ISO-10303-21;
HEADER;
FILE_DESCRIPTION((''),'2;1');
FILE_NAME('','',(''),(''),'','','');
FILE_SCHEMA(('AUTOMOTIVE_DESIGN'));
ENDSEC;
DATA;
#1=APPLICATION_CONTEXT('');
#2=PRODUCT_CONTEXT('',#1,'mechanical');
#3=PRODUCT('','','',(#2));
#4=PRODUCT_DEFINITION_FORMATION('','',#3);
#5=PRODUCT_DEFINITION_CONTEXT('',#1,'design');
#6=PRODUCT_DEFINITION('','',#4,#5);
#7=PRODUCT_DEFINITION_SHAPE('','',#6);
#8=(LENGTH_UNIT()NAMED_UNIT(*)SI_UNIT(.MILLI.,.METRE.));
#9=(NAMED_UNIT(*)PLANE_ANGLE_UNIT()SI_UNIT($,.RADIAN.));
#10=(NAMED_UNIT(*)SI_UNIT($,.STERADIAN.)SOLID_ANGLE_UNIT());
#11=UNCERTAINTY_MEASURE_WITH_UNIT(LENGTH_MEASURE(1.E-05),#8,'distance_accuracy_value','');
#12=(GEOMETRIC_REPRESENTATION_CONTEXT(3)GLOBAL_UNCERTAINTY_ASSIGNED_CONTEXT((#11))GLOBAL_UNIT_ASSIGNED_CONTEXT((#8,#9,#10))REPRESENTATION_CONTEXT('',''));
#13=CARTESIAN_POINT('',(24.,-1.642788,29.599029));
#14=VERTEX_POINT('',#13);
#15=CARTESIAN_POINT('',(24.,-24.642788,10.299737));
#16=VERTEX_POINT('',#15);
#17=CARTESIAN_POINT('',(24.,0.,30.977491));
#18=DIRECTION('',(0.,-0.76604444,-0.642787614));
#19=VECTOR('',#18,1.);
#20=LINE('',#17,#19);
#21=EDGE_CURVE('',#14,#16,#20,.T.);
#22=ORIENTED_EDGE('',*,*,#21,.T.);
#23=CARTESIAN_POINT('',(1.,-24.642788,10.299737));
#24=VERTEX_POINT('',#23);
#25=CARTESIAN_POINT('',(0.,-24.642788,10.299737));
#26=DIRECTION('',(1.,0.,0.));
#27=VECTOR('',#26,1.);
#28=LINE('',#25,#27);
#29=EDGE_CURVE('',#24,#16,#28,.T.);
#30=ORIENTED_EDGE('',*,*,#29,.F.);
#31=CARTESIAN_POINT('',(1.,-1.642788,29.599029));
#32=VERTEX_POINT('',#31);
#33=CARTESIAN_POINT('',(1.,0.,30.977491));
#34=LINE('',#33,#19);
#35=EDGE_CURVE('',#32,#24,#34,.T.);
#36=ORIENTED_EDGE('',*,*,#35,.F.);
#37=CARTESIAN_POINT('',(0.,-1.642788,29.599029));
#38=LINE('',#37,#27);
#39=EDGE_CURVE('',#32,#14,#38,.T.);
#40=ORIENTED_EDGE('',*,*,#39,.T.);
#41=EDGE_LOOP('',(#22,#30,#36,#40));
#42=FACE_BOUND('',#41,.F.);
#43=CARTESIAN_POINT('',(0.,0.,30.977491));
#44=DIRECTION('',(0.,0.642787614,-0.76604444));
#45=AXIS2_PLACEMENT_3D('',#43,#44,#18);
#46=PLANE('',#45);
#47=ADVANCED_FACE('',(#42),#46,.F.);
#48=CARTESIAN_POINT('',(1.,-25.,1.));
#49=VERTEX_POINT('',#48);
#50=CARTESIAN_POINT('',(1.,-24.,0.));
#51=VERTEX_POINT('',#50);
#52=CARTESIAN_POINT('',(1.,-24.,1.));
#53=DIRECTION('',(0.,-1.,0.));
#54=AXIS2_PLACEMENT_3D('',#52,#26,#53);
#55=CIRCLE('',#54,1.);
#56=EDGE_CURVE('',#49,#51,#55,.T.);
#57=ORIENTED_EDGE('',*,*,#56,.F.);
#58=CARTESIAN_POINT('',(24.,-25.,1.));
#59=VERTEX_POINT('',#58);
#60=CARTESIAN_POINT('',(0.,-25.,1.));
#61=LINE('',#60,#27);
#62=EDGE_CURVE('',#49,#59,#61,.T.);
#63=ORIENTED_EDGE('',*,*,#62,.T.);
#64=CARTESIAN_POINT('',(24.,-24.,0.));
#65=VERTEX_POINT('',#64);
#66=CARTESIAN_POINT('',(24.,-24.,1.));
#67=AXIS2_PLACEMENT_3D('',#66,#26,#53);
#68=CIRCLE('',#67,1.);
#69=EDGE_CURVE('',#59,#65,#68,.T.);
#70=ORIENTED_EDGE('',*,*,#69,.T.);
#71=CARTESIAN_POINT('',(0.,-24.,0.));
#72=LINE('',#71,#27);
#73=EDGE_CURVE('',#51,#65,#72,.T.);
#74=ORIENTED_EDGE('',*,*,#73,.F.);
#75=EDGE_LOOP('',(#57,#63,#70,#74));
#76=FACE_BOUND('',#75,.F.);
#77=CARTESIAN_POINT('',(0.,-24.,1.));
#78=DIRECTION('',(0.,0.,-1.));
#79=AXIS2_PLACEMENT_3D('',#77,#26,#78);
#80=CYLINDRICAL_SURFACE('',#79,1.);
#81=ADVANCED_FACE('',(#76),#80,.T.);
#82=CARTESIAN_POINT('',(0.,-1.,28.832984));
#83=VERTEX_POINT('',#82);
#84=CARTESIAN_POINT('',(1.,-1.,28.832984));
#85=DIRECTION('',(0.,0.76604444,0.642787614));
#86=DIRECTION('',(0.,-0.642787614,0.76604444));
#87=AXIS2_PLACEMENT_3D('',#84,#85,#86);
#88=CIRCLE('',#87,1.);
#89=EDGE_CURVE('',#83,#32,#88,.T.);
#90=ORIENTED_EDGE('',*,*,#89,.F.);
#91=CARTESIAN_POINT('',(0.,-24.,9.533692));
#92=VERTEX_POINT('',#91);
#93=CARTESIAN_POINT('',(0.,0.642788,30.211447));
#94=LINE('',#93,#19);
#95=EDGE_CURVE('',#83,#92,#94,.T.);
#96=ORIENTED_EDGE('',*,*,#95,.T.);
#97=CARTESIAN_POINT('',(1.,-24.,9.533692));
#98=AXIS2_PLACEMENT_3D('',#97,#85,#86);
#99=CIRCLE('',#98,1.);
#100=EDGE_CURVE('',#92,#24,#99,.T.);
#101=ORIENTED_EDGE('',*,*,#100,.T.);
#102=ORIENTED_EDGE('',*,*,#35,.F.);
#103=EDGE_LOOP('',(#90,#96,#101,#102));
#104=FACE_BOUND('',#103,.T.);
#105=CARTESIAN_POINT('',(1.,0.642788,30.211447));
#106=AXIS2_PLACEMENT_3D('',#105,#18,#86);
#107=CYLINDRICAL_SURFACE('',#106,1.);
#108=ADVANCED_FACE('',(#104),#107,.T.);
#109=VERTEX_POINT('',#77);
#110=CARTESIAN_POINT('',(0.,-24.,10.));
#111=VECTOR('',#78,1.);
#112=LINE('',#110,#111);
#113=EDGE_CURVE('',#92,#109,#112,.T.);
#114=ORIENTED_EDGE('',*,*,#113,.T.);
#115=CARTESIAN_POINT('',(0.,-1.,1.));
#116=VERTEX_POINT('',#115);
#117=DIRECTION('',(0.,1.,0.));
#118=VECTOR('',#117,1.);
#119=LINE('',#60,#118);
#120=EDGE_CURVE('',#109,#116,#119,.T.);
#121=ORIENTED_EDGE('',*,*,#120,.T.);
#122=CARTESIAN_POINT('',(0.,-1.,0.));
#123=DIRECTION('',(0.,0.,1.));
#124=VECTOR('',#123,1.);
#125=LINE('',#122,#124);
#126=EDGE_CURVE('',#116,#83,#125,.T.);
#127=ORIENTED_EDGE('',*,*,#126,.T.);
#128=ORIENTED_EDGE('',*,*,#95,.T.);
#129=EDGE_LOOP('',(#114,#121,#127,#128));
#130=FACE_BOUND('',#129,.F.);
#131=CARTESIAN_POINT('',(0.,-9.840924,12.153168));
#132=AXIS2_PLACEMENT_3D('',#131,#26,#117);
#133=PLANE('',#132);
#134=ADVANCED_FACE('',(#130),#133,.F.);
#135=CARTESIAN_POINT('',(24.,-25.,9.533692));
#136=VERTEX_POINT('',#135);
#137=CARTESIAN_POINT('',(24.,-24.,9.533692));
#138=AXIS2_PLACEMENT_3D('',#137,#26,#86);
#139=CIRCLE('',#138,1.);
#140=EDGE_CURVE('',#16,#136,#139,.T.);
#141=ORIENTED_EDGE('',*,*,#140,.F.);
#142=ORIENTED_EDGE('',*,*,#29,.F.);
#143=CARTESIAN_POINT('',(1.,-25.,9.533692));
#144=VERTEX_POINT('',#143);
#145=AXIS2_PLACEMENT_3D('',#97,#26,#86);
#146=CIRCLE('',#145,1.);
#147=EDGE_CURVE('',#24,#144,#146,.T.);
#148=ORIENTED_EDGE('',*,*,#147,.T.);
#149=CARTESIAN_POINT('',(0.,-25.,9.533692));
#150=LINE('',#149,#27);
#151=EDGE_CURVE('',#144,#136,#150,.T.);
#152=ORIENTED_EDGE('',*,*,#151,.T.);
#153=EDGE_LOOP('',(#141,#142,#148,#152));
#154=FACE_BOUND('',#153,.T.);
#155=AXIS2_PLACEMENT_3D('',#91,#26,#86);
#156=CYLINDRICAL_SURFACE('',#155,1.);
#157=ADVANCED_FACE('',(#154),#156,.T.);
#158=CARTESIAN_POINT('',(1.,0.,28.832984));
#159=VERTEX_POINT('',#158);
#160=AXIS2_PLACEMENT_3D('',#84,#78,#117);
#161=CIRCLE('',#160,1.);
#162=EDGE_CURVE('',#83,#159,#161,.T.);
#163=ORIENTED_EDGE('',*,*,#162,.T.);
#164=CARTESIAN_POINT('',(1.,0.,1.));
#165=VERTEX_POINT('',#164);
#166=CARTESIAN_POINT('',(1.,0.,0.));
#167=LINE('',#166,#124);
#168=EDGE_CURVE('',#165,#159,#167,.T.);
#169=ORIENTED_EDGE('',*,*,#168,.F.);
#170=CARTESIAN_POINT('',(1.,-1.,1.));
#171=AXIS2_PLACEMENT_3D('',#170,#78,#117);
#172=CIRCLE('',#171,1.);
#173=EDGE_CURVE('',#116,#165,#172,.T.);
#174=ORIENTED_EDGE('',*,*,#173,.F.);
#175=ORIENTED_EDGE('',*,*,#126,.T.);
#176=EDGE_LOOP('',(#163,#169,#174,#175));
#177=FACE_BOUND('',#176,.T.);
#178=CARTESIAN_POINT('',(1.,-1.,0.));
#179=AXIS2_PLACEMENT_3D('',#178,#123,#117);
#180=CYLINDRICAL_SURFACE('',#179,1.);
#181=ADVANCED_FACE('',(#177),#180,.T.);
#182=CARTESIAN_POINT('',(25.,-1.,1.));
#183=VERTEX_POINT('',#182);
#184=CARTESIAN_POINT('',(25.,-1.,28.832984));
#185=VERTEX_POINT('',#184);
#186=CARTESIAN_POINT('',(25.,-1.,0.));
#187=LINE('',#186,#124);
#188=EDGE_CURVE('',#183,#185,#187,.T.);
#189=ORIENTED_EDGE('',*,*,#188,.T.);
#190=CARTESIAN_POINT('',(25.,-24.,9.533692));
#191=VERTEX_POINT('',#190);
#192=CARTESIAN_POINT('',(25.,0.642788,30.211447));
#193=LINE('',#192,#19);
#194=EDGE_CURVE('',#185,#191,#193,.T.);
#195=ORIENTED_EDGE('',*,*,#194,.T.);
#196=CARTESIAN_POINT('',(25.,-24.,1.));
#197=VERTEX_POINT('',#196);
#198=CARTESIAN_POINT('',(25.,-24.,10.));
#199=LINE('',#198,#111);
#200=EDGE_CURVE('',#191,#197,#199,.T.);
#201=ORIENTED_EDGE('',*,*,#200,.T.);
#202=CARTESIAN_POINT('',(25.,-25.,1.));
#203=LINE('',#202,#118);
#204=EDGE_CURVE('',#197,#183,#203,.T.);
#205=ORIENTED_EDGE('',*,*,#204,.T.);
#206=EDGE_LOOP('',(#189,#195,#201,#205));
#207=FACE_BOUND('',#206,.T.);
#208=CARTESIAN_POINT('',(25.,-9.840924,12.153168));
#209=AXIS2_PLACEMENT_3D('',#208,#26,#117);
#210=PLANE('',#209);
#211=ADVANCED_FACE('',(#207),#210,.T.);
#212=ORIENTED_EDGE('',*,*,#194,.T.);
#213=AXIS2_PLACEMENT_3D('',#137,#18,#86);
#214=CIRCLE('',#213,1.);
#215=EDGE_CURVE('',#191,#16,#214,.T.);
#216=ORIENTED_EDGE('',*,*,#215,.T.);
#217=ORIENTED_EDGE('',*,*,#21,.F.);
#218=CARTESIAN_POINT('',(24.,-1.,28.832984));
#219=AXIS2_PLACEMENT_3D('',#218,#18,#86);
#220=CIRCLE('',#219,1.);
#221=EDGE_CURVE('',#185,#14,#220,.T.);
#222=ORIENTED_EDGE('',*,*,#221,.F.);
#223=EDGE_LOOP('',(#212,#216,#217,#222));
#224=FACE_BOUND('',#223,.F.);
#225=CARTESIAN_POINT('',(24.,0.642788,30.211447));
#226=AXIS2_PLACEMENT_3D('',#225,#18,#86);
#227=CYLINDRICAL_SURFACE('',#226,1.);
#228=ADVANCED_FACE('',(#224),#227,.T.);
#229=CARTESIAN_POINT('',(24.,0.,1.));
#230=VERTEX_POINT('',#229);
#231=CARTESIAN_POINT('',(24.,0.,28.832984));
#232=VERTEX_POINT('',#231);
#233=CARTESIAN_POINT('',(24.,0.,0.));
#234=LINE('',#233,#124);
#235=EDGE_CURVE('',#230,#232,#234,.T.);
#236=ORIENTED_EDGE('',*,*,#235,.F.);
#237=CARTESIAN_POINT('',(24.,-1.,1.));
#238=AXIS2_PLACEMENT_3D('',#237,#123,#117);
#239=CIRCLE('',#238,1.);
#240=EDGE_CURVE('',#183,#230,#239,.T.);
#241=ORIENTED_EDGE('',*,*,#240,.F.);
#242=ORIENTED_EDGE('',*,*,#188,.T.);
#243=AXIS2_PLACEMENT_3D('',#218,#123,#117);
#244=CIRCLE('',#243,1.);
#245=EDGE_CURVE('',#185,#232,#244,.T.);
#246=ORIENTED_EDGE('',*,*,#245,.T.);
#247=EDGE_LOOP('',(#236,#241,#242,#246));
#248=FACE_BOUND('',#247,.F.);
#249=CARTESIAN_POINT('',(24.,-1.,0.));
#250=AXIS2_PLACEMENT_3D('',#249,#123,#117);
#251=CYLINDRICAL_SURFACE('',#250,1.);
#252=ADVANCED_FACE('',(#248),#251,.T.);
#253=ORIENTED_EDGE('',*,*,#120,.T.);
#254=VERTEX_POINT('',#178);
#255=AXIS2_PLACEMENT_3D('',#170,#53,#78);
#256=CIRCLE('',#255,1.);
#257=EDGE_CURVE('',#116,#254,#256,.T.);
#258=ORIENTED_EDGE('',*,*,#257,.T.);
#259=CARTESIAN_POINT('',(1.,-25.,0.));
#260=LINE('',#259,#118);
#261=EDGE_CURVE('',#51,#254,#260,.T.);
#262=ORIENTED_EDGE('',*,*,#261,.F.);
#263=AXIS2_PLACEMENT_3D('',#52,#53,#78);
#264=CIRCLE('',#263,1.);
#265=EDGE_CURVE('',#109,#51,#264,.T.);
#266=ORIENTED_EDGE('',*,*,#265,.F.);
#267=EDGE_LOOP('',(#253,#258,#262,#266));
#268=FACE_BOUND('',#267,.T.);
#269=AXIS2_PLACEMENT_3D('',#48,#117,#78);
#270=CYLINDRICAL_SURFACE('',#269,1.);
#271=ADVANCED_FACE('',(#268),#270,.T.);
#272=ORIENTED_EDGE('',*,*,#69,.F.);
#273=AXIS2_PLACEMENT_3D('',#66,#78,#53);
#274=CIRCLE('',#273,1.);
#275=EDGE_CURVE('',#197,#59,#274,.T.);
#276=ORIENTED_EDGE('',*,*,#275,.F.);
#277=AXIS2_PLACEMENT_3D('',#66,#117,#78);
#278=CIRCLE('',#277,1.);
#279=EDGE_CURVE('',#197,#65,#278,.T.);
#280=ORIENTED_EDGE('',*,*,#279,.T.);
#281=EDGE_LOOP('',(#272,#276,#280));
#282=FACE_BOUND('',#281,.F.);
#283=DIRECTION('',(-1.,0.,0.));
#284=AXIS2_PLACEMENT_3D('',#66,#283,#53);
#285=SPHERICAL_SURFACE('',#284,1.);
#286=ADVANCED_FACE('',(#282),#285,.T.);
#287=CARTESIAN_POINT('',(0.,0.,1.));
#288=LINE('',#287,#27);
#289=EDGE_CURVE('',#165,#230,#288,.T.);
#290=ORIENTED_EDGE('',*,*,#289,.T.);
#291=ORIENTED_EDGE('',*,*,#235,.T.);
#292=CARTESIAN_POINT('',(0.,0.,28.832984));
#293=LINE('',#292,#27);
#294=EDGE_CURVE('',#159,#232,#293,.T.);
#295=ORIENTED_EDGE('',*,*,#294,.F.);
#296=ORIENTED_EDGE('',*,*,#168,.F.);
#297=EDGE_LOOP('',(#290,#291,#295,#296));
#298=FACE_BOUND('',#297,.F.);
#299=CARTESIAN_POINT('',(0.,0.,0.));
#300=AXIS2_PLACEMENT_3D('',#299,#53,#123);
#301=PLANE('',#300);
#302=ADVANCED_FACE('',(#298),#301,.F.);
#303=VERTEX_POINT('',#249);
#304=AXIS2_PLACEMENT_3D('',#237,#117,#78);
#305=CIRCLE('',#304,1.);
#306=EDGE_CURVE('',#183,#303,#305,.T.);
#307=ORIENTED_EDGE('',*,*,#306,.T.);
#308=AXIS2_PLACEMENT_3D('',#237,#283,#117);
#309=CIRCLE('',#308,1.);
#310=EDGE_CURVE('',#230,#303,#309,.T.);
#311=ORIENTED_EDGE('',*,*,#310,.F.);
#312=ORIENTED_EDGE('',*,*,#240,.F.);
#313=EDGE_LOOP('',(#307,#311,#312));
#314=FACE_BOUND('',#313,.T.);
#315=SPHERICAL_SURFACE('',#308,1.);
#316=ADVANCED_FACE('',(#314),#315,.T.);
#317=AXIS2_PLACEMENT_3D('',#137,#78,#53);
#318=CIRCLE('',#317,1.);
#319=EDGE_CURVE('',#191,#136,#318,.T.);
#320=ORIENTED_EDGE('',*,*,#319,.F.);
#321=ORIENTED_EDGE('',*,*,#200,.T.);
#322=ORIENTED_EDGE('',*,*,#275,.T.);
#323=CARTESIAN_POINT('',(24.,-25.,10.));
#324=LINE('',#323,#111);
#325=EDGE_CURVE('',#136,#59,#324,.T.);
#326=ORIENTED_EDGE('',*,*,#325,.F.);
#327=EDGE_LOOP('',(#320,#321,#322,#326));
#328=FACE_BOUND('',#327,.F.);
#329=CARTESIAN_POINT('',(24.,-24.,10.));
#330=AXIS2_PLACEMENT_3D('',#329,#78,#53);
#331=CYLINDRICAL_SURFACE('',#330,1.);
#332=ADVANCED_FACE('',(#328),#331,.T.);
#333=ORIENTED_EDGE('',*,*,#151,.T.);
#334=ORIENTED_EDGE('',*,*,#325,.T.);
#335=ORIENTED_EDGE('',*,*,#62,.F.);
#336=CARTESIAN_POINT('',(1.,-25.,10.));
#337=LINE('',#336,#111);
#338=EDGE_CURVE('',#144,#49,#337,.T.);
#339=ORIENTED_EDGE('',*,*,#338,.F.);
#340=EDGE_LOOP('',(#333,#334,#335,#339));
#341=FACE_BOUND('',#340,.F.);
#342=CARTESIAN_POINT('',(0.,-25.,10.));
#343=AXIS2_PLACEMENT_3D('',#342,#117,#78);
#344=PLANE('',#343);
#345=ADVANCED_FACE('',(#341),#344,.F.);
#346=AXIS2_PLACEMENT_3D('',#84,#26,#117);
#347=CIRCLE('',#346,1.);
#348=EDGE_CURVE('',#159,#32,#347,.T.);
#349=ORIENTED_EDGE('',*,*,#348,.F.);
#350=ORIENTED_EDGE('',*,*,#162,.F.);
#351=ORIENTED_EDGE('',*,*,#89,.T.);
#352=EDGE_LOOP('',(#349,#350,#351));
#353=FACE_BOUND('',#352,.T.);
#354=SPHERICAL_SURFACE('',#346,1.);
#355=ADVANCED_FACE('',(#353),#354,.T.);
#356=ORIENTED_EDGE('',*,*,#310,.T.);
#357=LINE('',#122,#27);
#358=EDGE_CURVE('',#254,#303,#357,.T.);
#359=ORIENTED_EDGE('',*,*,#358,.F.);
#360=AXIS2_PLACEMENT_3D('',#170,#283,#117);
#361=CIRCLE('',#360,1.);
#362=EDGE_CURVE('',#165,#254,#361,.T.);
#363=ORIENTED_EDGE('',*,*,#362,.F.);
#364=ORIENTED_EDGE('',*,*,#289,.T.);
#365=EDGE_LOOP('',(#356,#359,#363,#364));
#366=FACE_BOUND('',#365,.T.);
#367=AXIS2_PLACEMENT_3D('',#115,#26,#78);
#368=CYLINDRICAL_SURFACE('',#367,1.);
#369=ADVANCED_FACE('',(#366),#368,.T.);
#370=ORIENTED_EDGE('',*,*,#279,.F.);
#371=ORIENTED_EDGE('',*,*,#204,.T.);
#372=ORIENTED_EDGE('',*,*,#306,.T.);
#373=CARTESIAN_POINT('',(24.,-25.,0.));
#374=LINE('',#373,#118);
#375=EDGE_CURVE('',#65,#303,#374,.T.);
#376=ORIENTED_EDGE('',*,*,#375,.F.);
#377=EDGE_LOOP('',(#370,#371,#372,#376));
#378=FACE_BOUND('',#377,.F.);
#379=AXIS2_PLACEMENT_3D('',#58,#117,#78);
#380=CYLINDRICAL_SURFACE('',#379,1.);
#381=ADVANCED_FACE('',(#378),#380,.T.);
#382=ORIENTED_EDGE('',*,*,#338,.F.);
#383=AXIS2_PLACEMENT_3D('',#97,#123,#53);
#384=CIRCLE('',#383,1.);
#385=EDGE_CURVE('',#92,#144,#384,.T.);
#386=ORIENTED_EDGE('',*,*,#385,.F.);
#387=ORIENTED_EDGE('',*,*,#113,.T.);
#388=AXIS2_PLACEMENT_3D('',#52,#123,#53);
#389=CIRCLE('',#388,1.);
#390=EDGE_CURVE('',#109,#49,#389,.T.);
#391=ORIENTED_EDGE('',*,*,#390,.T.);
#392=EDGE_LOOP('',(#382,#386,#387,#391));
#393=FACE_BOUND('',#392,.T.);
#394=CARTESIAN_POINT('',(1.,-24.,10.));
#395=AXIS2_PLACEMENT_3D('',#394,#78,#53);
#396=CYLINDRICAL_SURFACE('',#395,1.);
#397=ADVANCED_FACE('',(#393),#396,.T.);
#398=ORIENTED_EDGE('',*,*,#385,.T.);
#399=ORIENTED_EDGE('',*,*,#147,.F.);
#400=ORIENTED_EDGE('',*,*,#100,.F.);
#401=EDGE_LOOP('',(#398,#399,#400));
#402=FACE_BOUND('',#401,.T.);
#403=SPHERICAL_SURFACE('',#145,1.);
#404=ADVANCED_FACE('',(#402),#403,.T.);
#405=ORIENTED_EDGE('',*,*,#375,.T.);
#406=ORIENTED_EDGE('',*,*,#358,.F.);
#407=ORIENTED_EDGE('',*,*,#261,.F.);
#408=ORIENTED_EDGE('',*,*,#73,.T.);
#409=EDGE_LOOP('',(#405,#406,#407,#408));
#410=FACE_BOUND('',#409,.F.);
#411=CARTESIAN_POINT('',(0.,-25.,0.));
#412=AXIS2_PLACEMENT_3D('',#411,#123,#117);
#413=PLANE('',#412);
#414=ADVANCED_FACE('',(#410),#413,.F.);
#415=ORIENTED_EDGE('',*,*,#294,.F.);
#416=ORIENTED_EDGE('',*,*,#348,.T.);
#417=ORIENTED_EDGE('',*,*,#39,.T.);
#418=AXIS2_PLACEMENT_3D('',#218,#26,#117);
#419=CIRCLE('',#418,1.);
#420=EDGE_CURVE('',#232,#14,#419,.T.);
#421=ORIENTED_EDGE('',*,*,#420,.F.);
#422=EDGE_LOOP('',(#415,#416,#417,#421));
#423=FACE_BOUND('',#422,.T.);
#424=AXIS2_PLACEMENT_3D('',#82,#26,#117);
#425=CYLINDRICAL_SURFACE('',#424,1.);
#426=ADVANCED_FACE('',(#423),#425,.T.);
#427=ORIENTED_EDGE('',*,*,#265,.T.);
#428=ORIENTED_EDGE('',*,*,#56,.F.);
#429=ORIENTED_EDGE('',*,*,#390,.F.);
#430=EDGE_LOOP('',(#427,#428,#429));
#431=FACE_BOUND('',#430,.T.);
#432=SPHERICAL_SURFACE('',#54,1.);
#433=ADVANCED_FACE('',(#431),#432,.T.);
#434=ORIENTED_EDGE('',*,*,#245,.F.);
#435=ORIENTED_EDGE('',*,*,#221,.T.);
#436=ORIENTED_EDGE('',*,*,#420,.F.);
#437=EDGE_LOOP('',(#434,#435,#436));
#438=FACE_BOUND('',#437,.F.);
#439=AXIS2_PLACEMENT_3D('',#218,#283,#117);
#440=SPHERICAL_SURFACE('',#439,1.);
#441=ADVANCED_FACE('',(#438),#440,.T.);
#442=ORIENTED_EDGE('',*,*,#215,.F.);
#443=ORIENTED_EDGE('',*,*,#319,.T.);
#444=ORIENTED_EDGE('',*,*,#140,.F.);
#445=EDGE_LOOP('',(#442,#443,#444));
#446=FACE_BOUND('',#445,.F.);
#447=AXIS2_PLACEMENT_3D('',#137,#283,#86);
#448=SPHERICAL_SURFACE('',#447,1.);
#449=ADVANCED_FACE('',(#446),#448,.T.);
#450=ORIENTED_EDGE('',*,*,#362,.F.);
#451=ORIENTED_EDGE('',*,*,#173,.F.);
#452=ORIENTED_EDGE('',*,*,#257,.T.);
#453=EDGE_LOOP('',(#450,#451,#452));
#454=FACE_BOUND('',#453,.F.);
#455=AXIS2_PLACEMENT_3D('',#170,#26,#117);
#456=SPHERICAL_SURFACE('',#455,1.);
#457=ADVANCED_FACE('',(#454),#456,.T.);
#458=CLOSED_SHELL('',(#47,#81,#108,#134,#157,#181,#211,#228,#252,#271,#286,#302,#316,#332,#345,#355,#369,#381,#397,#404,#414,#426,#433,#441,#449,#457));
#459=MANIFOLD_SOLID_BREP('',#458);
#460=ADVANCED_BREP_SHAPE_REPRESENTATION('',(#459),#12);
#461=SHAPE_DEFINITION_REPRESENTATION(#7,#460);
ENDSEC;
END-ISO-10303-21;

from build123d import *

# Parameters (mm, degrees)
F1_DEPTH = 25
F2_R     = 1


with BuildPart() as f1:
    # F0 (on Right) → F1 (new body)
    with BuildSketch(Plane.YZ):
        Polygon((-25, 0), (0, 0), (0, 30.977491), (-25, 10), align=None)
    extrude(amount=F1_DEPTH)

    # F2
    f2_edges = [f1.edges().sort_by_distance(p)[0] for p in [
        (12.5, 0, 0),
        (12.5, 0, 30.977491),
        (0, 0, 15.488745),
        (25, 0, 15.488745),
        (12.5, -25, 10),
        (0, -12.5, 20.488745),
        (25, -12.5, 20.488745),
        (12.5, -25, 0),
        (0, -25, 5),
        (25, -25, 5),
        (25, -12.5, 0),
        (0, -12.5, 0),
    ]]
    fillet(f2_edges, radius=F2_R)


solid = f1.part
